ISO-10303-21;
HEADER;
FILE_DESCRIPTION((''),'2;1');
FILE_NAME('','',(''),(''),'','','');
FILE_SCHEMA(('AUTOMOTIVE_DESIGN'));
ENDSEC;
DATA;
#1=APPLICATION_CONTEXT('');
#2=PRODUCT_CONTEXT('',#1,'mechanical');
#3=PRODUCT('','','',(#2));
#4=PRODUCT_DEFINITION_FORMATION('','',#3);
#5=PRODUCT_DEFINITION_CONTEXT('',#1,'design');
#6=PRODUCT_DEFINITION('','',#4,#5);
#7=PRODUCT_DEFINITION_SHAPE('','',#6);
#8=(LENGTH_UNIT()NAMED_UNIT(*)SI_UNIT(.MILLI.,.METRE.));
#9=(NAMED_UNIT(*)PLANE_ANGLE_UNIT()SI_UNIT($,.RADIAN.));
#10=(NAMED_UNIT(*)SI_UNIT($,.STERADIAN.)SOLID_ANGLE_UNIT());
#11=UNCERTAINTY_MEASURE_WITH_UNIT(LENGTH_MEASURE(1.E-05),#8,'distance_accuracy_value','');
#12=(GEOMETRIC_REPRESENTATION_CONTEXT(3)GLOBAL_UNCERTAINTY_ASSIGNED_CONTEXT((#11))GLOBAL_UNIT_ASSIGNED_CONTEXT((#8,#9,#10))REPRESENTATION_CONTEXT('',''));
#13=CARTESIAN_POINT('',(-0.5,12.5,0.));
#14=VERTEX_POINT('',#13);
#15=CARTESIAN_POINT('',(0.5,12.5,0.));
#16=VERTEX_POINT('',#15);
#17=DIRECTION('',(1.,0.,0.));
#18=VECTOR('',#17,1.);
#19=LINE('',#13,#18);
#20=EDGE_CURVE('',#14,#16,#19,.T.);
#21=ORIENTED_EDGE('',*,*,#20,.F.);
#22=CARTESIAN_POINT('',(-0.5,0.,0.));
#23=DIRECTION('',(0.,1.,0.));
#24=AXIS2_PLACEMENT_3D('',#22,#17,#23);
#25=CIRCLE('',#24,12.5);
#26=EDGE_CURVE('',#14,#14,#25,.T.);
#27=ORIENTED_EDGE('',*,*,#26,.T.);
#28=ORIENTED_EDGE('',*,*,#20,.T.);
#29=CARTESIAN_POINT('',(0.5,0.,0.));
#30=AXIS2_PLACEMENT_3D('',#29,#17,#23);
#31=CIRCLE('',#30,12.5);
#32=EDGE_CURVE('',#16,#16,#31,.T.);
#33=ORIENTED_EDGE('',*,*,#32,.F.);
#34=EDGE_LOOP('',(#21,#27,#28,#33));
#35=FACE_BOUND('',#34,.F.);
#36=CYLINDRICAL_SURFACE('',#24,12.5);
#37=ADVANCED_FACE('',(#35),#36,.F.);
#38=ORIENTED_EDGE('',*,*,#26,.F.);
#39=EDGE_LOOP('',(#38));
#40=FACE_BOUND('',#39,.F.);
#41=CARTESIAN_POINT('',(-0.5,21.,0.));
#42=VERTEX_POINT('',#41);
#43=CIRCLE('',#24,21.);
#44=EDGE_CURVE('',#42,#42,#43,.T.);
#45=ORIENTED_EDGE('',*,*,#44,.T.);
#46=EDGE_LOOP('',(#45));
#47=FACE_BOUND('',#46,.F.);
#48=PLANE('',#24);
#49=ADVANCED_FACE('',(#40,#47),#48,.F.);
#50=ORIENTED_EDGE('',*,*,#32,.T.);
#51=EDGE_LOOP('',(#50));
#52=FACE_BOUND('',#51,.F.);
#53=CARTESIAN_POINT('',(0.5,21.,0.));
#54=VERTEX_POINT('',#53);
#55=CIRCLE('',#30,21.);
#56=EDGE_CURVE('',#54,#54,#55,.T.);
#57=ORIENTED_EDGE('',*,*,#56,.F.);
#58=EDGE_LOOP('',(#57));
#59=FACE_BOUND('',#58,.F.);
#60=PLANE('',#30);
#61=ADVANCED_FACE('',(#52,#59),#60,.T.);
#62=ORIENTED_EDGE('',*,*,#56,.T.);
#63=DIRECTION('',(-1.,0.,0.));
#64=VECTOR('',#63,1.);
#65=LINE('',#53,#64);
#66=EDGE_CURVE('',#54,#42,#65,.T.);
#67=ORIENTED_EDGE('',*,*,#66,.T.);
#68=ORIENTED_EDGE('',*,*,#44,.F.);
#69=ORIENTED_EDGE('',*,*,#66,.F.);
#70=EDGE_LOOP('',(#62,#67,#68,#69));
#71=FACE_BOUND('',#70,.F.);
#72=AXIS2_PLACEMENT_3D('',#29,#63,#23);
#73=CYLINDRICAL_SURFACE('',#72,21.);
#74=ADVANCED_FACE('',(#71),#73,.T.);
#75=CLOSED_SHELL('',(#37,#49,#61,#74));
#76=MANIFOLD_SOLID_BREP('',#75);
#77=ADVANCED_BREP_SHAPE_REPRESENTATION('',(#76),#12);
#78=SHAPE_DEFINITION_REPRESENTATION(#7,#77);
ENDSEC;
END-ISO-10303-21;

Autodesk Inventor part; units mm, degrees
sketch "Sketch_1" plane through (0, 0, 0) normal (0, 0, 1) x (1, 0, 0)
  line L0 (50, 0) -> (-50, 0)
  line L1 (-0.5, 12.5) -> (0.5, 12.5)
  line L2 (0.5, 12.5) -> (0.5, 21)
  line L3 (0.5, 21) -> (-0.5, 21)
  line L4 (-0.5, 21) -> (-0.5, 12.5)
revolve "Revolution1" add sketch "Sketch_1" angle 360 about axis through (50, 0, 0) along (1, 0, 0)
ref_plane "washer1_XY" through (0, 0, 0) normal (1, 0, 0) x (0, 0, -1)
ref_plane "washer1_YZ" through (0, 0, 0) normal (0, 0, -1) x (0, 1, 0)
ref_plane "washer1_ZX" through (0, 0, 0) normal (0, 1, 0) x (1, 0, 0)
ref_plane "washer2_XY" through (0, 0, 0) normal (1, 0, 0) x (0, 0, -1)
ref_plane "washer2_YZ" through (0, 0, 0) normal (0, 0, -1) x (0, 1, 0)
ref_plane "washer2_ZX" through (0, 0, 0) normal (0, 1, 0) x (1, 0, 0)
properties part number "washer_BA2542"
